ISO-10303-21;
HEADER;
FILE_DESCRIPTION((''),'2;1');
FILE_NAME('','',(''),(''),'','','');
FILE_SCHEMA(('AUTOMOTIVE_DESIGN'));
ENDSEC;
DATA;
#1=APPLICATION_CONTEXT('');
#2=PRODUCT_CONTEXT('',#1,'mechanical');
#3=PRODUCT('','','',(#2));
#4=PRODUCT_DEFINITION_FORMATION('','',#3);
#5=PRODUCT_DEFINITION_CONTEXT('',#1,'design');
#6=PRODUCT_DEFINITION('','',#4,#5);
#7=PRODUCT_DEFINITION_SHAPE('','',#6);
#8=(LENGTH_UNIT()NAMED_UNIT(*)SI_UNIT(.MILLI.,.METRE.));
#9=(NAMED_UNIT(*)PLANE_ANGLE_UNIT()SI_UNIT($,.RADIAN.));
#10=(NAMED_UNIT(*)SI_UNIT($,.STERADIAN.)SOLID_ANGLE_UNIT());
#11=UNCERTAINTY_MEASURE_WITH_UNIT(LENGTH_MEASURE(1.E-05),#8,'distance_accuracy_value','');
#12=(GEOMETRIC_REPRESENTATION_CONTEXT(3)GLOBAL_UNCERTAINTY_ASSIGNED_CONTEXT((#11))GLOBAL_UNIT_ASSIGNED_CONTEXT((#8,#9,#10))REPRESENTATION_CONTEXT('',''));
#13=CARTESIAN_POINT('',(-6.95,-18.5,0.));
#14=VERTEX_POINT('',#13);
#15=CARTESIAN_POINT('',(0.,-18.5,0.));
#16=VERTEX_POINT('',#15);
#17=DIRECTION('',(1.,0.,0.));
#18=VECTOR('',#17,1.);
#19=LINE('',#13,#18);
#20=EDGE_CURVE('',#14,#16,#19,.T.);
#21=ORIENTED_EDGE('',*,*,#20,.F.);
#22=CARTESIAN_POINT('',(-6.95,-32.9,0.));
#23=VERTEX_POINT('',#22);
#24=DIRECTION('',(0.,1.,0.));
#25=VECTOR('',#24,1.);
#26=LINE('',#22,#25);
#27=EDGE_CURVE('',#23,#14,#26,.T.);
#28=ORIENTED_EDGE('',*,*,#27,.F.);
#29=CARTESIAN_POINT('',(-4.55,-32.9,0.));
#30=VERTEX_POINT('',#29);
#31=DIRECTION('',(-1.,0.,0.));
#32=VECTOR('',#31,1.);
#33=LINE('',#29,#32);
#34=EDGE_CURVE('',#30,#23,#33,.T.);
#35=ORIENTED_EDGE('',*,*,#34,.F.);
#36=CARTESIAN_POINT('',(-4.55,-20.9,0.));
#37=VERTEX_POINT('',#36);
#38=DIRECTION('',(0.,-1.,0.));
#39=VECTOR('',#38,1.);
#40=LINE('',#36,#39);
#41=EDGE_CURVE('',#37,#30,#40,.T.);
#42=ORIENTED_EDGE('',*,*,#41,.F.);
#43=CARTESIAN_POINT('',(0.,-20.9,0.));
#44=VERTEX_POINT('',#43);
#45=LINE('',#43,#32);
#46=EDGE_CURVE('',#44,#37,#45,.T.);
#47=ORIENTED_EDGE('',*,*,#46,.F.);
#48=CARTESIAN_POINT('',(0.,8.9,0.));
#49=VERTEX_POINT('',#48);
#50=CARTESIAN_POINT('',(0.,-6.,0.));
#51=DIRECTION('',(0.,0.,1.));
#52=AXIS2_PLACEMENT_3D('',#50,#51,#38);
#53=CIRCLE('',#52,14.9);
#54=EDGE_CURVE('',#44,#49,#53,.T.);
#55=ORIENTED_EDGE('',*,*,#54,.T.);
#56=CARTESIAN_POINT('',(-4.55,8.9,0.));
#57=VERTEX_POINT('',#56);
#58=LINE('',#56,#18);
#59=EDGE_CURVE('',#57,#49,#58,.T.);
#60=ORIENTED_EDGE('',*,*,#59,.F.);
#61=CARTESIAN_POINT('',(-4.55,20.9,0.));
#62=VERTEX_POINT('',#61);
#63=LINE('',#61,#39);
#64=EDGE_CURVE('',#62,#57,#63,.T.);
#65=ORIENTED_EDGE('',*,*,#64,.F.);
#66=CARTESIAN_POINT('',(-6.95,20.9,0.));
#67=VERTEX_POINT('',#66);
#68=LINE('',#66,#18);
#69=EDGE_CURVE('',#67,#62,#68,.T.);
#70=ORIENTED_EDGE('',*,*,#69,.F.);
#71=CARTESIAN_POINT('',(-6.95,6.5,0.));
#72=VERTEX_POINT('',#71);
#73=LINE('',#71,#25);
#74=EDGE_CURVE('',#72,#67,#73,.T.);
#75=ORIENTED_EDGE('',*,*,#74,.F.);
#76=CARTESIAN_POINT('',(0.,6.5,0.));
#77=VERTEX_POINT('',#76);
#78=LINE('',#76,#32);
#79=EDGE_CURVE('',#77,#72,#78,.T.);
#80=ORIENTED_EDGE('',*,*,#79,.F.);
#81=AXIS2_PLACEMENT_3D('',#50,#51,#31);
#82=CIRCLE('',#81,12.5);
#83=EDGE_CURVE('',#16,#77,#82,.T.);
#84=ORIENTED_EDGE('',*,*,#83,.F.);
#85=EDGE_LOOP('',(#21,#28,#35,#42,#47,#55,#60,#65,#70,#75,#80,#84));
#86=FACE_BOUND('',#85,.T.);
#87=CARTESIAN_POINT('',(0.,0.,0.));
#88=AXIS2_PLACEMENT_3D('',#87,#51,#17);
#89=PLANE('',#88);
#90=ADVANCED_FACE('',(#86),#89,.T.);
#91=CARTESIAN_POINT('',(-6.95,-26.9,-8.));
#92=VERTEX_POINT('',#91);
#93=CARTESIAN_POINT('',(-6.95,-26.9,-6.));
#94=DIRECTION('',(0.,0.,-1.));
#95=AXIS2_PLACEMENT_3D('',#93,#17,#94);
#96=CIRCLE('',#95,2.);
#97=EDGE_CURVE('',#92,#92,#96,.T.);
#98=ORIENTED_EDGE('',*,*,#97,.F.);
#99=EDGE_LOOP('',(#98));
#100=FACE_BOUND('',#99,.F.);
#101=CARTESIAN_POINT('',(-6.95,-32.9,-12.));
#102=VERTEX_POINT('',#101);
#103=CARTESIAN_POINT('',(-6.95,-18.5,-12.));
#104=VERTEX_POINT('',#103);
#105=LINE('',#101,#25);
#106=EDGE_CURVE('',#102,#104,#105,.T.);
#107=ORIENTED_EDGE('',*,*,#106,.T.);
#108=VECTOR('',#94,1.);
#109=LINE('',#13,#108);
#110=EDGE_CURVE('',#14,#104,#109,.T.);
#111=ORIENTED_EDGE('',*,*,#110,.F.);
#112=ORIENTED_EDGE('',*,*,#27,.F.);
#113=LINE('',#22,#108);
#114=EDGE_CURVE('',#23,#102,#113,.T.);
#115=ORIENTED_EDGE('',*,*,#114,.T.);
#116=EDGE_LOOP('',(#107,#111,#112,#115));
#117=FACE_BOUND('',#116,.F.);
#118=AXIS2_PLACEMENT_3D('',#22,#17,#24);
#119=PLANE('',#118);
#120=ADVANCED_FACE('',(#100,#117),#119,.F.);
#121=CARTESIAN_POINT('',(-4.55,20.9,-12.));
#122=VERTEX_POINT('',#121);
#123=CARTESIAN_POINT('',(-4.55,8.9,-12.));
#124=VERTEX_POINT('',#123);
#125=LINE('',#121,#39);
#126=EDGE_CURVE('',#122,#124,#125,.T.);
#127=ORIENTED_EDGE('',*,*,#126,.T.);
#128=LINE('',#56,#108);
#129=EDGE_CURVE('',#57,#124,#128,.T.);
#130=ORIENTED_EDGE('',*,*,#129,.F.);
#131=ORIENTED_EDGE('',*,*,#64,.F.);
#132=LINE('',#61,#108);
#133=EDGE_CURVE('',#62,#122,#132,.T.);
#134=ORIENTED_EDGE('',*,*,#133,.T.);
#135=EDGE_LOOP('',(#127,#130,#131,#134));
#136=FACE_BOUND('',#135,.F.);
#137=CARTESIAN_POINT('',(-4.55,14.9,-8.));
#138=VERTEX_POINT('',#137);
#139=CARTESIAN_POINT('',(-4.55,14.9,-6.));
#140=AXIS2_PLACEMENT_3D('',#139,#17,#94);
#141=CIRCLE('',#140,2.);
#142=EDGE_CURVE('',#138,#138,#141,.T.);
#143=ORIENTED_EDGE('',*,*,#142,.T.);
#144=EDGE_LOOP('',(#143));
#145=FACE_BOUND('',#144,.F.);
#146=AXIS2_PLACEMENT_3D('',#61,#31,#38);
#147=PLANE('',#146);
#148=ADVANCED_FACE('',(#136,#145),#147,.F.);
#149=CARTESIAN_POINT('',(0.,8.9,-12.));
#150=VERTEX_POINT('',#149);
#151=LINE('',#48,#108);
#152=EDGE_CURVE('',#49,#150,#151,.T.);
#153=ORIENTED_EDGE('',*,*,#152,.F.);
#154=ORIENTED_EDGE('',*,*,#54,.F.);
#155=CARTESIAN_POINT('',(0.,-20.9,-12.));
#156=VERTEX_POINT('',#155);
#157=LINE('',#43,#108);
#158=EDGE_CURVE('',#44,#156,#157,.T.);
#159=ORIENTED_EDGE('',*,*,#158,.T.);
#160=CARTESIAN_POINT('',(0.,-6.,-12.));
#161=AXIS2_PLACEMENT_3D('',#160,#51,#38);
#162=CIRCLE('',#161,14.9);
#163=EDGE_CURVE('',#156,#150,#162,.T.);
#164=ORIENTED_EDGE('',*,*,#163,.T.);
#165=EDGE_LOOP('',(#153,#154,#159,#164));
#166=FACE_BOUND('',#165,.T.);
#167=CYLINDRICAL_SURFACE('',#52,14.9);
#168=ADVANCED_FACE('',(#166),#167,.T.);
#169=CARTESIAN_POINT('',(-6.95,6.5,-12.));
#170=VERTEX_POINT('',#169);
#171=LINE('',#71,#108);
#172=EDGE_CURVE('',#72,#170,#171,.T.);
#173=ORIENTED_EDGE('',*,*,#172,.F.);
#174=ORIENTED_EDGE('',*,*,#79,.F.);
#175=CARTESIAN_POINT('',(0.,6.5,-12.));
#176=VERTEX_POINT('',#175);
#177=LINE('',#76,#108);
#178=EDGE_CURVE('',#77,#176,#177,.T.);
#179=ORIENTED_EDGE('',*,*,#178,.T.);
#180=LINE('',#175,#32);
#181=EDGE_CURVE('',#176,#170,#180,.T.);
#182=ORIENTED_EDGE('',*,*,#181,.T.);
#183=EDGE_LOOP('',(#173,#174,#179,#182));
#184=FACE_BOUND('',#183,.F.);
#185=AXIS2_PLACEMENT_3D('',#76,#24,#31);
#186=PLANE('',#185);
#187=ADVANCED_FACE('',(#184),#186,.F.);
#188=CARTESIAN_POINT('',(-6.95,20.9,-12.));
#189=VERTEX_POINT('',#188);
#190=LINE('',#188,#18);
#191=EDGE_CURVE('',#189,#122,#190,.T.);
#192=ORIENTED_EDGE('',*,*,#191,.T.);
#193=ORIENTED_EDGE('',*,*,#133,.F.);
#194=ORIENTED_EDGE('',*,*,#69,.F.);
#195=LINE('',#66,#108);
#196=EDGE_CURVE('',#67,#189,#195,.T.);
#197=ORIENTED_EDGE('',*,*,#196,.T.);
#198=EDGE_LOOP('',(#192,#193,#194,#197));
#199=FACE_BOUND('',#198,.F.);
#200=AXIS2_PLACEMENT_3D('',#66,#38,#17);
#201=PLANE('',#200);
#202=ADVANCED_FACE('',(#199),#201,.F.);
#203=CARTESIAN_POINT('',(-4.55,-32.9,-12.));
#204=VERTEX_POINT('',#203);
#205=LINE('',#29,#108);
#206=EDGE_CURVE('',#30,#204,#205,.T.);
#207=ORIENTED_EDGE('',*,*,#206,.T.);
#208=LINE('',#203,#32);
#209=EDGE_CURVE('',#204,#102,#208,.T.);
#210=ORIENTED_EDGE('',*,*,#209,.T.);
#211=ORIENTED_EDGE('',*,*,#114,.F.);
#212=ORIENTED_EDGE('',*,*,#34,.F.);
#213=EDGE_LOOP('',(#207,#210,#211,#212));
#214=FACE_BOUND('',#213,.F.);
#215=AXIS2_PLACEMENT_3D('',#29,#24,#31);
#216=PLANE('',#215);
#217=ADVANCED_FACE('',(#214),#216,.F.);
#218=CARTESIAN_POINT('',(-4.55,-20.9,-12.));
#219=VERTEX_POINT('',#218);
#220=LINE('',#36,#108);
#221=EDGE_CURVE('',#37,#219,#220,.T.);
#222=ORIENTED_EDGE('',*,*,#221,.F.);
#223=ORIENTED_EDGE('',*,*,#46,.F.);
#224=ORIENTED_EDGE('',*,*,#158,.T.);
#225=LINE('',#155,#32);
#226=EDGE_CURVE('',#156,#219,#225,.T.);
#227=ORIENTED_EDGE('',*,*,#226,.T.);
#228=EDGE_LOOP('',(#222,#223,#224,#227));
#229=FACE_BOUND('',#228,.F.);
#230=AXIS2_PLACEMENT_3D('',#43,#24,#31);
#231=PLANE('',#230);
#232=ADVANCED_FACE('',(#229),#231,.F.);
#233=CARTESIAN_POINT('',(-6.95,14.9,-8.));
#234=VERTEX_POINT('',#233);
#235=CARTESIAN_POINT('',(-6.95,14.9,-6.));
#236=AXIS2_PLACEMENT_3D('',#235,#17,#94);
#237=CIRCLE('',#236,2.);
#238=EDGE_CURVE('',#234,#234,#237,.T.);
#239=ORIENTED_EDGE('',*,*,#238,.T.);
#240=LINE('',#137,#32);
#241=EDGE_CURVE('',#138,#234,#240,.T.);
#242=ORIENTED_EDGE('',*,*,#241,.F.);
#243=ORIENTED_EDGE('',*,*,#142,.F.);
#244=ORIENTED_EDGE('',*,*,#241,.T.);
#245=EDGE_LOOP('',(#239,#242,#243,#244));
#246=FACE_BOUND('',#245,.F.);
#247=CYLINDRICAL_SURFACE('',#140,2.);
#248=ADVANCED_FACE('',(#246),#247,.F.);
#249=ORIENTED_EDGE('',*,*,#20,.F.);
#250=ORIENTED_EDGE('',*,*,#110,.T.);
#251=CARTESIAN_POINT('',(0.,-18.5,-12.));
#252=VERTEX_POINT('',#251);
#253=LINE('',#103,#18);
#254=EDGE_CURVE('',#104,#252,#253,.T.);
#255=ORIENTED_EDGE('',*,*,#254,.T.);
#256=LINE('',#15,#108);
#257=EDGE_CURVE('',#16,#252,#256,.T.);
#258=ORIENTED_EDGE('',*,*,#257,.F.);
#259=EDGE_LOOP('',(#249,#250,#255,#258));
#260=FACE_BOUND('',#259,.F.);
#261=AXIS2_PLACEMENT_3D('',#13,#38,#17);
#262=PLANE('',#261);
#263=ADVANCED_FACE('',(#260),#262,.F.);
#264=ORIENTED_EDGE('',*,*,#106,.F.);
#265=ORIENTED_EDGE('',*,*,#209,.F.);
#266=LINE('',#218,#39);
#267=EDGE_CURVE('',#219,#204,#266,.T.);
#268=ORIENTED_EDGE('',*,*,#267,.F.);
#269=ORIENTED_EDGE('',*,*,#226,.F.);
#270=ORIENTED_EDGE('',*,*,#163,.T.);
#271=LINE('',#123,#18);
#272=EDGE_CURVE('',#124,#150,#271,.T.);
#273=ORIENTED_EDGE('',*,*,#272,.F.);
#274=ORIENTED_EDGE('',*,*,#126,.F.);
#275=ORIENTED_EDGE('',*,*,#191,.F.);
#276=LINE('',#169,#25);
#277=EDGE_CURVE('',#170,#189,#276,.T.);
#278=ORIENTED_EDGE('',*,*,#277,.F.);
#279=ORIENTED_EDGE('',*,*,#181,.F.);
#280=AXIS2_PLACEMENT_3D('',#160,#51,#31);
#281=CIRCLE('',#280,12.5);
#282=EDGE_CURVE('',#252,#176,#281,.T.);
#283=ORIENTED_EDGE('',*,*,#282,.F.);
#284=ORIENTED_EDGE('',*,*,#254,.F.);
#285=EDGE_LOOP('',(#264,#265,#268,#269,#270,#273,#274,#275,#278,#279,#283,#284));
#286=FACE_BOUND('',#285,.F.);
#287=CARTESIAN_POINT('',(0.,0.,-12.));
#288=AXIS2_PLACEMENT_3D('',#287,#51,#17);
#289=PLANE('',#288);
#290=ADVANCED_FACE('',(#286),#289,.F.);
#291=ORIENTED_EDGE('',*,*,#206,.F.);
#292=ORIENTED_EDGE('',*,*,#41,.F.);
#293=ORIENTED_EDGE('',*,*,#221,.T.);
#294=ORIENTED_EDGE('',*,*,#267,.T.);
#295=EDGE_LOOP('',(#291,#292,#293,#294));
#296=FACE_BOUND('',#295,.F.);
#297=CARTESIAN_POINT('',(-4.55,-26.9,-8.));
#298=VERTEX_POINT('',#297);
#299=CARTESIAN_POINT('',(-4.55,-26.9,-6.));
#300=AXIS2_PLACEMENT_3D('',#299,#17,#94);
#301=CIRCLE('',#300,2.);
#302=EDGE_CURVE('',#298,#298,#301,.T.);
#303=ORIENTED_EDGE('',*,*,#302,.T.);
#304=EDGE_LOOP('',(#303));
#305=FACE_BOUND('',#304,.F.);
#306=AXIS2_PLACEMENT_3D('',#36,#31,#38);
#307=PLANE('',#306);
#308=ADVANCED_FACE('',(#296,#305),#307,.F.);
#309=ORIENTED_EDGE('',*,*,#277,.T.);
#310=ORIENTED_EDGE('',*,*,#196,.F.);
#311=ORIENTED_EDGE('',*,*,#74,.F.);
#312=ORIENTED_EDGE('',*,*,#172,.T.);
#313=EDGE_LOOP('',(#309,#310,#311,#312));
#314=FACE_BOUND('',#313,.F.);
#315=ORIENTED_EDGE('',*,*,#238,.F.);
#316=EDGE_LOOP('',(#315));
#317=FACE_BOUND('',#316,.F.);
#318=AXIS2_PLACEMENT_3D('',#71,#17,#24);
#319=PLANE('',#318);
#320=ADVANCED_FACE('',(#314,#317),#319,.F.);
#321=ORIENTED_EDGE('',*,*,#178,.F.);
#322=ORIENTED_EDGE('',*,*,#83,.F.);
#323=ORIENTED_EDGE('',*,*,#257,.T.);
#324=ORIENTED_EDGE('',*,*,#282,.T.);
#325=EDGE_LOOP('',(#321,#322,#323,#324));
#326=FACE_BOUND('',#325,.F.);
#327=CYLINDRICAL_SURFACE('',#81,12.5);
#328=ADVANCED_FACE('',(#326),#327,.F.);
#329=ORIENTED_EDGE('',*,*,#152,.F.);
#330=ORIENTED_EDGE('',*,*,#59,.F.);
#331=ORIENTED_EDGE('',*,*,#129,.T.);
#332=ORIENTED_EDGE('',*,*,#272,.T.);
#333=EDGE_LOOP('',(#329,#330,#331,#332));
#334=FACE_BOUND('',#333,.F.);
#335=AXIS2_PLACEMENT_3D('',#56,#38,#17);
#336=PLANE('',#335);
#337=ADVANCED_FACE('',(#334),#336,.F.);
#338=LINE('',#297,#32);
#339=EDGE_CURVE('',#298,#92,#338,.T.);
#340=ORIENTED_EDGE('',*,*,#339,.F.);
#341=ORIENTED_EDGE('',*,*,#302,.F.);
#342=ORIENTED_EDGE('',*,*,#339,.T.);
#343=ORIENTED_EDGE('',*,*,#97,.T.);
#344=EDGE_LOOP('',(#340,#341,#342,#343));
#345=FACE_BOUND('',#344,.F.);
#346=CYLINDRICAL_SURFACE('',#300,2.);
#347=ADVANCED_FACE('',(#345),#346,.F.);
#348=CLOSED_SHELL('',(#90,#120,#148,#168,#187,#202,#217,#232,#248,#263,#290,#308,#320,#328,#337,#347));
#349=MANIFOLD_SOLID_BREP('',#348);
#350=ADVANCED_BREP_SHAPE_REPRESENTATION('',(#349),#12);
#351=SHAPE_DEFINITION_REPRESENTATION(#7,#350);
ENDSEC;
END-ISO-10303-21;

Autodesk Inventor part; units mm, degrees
ref_plane "YZ Plane" through (0, 0, 0) normal (1, 0, 0) x (0, 1, 0)
ref_plane "XZ Plane" through (0, 0, 0) normal (0, 1, 0) x (-1, 0, 0)
ref_plane "XY Plane" through (0, 0, 0) normal (0, 0, 1) x (1, 0, 0)
sketch "Skizze1" plane through (0, 0, 0) normal (0, 0, 1) x (1, 0, 0)
  arc A0 (-12.5, -6) -> (0, 6.5) centre (0, -6) ccw projected
  arc A1 (0, 6.5) -> (-12.5, -6) centre (0, -6) ccw projected
  line L0 (-14.35, -116) -> (-14.35, 104) projected
  line L1 (-6.95, -18.5) -> (0, -18.5)
  arc A2 (0, -18.5) -> (0, 6.5) centre (0, -6) ccw
  line L2 (0, 6.5) -> (-6.95, 6.5)
  line L3 (-6.95, 6.5) -> (-6.95, 20.9)
  line L4 (-6.95, 20.9) -> (-4.55, 20.9)
  line L5 (-4.55, 20.9) -> (-4.55, 8.9)
  line L6 (-4.55, 8.9) -> (0, 8.9)
  arc A3 (0, -20.9) -> (0, 8.9) centre (0, -6) ccw
  line L7 (0, -20.9) -> (-4.55, -20.9)
  line L8 (-4.55, -20.9) -> (-4.55, -32.9)
  line L9 (-4.55, -32.9) -> (-6.95, -32.9)
  line L10 (-6.95, -32.9) -> (-6.95, -18.5)
  point P0 (0, 0)
  point P1 (-14.35, 20.9)
  point P2 (-14.35, 6.5)
  point P3 (0, 6.5)
  point P4 (0, -18.5)
  point P5 (-14.35, -18.5)
  point P6 (-14.35, -32.9)
  dimension "d0" = 2.4
  dimension "d1" = 2.4
  dimension "d2" = 2.4
  dimension "d4" = 12.5
  dimension "d5" = 7.4
  dimension "d7" = 12.5
  dimension "d8" = 12
extrude "Extrusion1" add sketch "Skizze1" against normal blind 12 contours A0 L2 L3 L4 L5 L6 A3 L7 L8 L9 L10 L1
sketch "Skizze2" plane through (-4.55, 8.9, 0) normal (1, 0, 0) x (0, 0, -1)
  line L0 (0, 0) -> (12, 0) projected
  line L1 (12, -2.4) -> (12, 12) projected
  line L2 (0, 0) -> (12, 12) construction
  circle A0 centre (6, 6) radius 2
  line L3 (12, -41.8) -> (12, -27.4) construction
  line L4 (12, -41.8) -> (0, -29.8) construction
  line L5 (0, -27.4) -> (0, -41.8) construction
  circle A1 centre (6, -35.8) radius 2
  point P0 (0, -8.9)
  dimension "d11" = 4
extrude "Extrusion2" cut sketch "Skizze2" against normal through all
equation "\"d1\" = d0"
equation "\"d2\" = d0"
equation "\"d7\" = d4"
equation "\"d9\" = d8"
properties part number "12_Motor_Fixation"
